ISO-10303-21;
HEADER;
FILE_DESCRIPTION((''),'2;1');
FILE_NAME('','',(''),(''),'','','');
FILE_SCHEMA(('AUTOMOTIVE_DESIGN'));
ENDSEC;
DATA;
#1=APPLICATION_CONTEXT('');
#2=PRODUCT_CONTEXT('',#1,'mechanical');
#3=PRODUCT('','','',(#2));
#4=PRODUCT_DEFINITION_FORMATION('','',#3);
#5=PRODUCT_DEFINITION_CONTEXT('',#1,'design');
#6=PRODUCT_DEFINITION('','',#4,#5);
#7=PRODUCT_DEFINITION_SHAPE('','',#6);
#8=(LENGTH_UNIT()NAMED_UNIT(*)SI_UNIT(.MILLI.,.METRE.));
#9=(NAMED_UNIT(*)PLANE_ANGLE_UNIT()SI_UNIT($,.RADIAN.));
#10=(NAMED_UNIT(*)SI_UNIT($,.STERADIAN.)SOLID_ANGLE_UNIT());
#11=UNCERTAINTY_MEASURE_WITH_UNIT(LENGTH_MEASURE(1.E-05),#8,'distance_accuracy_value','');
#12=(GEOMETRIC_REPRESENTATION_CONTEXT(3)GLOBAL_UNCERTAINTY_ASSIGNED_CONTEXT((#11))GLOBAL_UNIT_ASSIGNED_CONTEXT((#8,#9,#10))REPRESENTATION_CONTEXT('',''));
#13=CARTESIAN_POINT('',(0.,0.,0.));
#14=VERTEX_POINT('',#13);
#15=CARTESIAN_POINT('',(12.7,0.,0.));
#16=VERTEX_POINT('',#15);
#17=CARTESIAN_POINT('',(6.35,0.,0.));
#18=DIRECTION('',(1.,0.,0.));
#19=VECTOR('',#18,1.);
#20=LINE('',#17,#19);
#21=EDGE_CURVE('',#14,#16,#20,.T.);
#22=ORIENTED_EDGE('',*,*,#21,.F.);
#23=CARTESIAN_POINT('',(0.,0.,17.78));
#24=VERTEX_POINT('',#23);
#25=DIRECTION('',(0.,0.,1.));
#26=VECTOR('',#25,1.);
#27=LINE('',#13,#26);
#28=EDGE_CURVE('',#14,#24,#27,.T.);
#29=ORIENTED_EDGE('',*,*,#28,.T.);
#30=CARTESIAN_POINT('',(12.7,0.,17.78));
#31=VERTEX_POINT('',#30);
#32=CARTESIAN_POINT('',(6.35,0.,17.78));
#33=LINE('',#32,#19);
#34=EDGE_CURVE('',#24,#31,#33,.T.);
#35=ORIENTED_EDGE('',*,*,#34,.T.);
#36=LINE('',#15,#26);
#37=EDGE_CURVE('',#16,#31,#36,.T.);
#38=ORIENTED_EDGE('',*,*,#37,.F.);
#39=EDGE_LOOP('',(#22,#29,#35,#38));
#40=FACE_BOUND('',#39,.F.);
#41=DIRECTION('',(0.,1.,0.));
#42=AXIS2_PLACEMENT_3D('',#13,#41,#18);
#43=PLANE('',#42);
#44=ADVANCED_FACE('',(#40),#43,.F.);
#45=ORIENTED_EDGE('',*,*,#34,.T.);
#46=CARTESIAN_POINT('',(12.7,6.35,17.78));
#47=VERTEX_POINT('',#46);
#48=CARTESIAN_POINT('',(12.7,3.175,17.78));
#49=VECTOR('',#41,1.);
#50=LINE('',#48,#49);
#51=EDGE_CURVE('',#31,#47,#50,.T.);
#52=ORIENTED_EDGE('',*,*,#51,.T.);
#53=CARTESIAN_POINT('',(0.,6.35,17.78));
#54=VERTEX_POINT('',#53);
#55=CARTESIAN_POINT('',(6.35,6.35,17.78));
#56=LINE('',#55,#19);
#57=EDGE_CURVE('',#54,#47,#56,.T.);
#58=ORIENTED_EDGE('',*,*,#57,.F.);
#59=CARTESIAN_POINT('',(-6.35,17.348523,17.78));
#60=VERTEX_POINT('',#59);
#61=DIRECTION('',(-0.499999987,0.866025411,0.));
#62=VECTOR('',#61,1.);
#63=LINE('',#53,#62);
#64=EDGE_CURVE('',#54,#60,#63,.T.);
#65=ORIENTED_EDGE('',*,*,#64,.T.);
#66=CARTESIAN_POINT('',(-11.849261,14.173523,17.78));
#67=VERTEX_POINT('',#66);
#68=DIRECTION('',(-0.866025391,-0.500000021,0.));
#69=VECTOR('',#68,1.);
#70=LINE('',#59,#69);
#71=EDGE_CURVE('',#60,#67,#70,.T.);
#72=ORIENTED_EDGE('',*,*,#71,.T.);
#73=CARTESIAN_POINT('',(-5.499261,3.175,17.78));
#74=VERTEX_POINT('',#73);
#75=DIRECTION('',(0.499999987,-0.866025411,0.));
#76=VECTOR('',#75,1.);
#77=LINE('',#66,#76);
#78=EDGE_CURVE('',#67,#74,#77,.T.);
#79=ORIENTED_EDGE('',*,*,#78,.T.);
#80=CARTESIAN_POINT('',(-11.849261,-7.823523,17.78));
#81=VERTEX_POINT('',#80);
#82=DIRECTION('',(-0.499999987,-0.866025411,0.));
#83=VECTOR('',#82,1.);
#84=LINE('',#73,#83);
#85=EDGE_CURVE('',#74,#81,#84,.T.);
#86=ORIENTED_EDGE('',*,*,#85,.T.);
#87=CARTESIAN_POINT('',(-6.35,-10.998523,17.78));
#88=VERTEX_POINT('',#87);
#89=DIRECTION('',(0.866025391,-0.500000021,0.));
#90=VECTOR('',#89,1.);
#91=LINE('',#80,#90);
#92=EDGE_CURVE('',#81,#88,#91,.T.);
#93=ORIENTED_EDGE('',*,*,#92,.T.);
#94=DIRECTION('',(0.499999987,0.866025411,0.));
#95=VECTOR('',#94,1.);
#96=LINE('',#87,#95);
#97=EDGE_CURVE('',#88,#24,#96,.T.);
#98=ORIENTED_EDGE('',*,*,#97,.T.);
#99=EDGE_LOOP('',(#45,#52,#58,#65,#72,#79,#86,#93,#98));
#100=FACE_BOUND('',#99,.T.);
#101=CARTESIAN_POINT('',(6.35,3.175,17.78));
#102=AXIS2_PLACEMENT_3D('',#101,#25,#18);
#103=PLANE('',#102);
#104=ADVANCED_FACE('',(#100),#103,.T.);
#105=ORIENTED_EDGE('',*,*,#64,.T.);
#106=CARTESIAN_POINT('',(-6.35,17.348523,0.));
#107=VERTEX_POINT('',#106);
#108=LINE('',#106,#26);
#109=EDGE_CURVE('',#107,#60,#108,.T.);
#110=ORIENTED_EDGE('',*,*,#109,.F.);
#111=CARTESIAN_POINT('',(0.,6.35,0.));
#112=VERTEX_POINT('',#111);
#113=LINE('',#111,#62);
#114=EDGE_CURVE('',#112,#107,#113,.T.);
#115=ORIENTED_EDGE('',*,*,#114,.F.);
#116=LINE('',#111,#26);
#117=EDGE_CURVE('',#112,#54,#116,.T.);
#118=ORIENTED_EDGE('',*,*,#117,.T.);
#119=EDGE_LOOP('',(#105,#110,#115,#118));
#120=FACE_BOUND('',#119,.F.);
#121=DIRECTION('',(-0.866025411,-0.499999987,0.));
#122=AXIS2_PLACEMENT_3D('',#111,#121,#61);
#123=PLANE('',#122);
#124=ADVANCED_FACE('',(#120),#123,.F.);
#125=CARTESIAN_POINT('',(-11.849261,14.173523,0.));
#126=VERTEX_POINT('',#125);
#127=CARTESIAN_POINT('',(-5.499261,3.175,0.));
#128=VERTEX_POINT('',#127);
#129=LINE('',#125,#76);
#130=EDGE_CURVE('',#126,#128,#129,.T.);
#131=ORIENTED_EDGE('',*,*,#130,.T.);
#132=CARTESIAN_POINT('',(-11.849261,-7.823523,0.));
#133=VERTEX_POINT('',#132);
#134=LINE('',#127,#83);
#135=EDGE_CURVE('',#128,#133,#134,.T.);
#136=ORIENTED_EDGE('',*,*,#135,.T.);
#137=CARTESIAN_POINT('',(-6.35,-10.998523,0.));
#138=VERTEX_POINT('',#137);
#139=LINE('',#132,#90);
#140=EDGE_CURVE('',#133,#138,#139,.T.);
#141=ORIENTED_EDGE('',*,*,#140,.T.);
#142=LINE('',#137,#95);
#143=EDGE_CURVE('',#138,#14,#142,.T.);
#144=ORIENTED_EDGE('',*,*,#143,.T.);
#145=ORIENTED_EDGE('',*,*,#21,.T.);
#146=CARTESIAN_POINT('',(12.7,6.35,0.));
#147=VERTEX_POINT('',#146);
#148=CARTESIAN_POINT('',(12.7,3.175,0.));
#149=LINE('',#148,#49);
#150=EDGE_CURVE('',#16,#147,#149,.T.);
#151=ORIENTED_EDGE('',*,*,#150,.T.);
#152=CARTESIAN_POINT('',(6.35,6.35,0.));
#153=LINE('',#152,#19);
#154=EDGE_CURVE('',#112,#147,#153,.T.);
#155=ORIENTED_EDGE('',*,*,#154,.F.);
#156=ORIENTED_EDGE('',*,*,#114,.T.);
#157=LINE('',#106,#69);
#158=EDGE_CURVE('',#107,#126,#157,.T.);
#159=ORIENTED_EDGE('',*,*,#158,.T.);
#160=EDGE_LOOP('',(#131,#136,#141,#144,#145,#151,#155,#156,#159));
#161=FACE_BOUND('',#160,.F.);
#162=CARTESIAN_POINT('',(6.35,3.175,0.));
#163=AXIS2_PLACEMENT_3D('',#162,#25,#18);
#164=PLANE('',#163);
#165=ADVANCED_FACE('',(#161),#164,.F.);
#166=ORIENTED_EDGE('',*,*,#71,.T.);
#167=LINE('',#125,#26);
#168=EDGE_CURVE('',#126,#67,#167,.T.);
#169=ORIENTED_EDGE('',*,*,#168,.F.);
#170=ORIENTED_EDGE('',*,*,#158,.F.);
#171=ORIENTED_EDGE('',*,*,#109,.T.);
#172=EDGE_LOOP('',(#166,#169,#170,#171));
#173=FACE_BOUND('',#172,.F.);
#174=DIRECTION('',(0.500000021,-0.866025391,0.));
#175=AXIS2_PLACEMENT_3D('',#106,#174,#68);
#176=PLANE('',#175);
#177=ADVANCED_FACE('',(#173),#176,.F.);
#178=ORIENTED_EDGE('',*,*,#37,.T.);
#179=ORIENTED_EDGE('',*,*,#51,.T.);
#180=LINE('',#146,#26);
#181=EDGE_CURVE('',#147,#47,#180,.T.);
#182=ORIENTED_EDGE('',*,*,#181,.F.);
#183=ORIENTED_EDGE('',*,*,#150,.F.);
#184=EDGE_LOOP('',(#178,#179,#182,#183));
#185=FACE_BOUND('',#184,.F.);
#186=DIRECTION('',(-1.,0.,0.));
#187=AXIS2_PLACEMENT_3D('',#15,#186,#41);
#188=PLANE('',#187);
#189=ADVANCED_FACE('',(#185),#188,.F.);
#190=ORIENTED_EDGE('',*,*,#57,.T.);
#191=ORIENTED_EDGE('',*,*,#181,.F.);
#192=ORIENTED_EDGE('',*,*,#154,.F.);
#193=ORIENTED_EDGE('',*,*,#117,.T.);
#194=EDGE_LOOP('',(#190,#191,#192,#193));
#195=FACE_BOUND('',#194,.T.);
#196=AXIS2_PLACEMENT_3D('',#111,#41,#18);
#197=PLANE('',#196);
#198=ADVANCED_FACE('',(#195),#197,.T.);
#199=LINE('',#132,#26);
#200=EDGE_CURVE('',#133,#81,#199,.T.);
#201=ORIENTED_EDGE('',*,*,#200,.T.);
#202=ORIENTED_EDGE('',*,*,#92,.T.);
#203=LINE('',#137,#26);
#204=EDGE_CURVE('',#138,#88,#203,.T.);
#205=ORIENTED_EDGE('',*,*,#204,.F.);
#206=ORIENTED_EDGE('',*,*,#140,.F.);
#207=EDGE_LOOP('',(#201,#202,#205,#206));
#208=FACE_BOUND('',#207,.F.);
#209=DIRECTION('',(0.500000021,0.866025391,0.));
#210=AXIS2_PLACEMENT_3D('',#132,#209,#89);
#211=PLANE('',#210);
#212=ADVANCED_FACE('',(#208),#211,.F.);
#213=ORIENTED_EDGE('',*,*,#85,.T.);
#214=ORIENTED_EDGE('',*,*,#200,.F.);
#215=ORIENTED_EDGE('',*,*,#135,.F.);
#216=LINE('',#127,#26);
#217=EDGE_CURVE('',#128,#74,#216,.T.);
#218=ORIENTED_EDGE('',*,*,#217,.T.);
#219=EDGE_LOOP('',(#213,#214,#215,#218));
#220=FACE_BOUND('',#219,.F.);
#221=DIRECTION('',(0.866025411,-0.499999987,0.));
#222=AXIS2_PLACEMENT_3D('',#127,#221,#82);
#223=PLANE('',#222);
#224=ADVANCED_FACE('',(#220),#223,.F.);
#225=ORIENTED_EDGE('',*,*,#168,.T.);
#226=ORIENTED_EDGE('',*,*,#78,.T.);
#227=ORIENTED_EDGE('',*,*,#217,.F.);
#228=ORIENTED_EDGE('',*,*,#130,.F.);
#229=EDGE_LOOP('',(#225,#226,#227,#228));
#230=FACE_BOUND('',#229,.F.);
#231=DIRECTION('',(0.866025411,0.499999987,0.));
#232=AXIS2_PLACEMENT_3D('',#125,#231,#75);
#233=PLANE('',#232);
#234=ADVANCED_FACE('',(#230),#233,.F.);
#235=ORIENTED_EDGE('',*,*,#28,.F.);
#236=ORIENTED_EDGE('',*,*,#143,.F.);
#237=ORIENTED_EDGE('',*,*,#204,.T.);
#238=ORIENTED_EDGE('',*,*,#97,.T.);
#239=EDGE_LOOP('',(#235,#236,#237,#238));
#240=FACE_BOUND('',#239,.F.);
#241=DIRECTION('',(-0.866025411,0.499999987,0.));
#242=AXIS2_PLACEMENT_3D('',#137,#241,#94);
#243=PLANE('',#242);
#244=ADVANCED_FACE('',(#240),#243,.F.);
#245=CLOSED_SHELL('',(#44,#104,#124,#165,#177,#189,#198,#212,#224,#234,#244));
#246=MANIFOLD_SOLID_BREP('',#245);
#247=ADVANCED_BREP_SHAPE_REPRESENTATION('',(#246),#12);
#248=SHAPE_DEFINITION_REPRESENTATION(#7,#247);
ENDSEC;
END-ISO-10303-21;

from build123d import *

# Parameters (mm, degrees)
F0_W     = 12.7
F0_H     = 6.35
F1_DEPTH = 17.78


with BuildPart() as f1:
    # F0 (on Top) → F1 (new body)
    with BuildSketch(Plane.XY):
        with Locations((6.35, 3.175)):
            Rectangle(F0_W, F0_H)
        Polygon((0, 0), (0, 6.35), (-6.35, 17.348523), (-11.849261, 14.173523), (-5.499261, 3.175), align=None)
        Polygon((-6.35, -10.998523), (0, 0), (-5.499261, 3.175), (-11.849261, -7.823523), align=None)
    extrude(amount=F1_DEPTH)


solid = f1.part
